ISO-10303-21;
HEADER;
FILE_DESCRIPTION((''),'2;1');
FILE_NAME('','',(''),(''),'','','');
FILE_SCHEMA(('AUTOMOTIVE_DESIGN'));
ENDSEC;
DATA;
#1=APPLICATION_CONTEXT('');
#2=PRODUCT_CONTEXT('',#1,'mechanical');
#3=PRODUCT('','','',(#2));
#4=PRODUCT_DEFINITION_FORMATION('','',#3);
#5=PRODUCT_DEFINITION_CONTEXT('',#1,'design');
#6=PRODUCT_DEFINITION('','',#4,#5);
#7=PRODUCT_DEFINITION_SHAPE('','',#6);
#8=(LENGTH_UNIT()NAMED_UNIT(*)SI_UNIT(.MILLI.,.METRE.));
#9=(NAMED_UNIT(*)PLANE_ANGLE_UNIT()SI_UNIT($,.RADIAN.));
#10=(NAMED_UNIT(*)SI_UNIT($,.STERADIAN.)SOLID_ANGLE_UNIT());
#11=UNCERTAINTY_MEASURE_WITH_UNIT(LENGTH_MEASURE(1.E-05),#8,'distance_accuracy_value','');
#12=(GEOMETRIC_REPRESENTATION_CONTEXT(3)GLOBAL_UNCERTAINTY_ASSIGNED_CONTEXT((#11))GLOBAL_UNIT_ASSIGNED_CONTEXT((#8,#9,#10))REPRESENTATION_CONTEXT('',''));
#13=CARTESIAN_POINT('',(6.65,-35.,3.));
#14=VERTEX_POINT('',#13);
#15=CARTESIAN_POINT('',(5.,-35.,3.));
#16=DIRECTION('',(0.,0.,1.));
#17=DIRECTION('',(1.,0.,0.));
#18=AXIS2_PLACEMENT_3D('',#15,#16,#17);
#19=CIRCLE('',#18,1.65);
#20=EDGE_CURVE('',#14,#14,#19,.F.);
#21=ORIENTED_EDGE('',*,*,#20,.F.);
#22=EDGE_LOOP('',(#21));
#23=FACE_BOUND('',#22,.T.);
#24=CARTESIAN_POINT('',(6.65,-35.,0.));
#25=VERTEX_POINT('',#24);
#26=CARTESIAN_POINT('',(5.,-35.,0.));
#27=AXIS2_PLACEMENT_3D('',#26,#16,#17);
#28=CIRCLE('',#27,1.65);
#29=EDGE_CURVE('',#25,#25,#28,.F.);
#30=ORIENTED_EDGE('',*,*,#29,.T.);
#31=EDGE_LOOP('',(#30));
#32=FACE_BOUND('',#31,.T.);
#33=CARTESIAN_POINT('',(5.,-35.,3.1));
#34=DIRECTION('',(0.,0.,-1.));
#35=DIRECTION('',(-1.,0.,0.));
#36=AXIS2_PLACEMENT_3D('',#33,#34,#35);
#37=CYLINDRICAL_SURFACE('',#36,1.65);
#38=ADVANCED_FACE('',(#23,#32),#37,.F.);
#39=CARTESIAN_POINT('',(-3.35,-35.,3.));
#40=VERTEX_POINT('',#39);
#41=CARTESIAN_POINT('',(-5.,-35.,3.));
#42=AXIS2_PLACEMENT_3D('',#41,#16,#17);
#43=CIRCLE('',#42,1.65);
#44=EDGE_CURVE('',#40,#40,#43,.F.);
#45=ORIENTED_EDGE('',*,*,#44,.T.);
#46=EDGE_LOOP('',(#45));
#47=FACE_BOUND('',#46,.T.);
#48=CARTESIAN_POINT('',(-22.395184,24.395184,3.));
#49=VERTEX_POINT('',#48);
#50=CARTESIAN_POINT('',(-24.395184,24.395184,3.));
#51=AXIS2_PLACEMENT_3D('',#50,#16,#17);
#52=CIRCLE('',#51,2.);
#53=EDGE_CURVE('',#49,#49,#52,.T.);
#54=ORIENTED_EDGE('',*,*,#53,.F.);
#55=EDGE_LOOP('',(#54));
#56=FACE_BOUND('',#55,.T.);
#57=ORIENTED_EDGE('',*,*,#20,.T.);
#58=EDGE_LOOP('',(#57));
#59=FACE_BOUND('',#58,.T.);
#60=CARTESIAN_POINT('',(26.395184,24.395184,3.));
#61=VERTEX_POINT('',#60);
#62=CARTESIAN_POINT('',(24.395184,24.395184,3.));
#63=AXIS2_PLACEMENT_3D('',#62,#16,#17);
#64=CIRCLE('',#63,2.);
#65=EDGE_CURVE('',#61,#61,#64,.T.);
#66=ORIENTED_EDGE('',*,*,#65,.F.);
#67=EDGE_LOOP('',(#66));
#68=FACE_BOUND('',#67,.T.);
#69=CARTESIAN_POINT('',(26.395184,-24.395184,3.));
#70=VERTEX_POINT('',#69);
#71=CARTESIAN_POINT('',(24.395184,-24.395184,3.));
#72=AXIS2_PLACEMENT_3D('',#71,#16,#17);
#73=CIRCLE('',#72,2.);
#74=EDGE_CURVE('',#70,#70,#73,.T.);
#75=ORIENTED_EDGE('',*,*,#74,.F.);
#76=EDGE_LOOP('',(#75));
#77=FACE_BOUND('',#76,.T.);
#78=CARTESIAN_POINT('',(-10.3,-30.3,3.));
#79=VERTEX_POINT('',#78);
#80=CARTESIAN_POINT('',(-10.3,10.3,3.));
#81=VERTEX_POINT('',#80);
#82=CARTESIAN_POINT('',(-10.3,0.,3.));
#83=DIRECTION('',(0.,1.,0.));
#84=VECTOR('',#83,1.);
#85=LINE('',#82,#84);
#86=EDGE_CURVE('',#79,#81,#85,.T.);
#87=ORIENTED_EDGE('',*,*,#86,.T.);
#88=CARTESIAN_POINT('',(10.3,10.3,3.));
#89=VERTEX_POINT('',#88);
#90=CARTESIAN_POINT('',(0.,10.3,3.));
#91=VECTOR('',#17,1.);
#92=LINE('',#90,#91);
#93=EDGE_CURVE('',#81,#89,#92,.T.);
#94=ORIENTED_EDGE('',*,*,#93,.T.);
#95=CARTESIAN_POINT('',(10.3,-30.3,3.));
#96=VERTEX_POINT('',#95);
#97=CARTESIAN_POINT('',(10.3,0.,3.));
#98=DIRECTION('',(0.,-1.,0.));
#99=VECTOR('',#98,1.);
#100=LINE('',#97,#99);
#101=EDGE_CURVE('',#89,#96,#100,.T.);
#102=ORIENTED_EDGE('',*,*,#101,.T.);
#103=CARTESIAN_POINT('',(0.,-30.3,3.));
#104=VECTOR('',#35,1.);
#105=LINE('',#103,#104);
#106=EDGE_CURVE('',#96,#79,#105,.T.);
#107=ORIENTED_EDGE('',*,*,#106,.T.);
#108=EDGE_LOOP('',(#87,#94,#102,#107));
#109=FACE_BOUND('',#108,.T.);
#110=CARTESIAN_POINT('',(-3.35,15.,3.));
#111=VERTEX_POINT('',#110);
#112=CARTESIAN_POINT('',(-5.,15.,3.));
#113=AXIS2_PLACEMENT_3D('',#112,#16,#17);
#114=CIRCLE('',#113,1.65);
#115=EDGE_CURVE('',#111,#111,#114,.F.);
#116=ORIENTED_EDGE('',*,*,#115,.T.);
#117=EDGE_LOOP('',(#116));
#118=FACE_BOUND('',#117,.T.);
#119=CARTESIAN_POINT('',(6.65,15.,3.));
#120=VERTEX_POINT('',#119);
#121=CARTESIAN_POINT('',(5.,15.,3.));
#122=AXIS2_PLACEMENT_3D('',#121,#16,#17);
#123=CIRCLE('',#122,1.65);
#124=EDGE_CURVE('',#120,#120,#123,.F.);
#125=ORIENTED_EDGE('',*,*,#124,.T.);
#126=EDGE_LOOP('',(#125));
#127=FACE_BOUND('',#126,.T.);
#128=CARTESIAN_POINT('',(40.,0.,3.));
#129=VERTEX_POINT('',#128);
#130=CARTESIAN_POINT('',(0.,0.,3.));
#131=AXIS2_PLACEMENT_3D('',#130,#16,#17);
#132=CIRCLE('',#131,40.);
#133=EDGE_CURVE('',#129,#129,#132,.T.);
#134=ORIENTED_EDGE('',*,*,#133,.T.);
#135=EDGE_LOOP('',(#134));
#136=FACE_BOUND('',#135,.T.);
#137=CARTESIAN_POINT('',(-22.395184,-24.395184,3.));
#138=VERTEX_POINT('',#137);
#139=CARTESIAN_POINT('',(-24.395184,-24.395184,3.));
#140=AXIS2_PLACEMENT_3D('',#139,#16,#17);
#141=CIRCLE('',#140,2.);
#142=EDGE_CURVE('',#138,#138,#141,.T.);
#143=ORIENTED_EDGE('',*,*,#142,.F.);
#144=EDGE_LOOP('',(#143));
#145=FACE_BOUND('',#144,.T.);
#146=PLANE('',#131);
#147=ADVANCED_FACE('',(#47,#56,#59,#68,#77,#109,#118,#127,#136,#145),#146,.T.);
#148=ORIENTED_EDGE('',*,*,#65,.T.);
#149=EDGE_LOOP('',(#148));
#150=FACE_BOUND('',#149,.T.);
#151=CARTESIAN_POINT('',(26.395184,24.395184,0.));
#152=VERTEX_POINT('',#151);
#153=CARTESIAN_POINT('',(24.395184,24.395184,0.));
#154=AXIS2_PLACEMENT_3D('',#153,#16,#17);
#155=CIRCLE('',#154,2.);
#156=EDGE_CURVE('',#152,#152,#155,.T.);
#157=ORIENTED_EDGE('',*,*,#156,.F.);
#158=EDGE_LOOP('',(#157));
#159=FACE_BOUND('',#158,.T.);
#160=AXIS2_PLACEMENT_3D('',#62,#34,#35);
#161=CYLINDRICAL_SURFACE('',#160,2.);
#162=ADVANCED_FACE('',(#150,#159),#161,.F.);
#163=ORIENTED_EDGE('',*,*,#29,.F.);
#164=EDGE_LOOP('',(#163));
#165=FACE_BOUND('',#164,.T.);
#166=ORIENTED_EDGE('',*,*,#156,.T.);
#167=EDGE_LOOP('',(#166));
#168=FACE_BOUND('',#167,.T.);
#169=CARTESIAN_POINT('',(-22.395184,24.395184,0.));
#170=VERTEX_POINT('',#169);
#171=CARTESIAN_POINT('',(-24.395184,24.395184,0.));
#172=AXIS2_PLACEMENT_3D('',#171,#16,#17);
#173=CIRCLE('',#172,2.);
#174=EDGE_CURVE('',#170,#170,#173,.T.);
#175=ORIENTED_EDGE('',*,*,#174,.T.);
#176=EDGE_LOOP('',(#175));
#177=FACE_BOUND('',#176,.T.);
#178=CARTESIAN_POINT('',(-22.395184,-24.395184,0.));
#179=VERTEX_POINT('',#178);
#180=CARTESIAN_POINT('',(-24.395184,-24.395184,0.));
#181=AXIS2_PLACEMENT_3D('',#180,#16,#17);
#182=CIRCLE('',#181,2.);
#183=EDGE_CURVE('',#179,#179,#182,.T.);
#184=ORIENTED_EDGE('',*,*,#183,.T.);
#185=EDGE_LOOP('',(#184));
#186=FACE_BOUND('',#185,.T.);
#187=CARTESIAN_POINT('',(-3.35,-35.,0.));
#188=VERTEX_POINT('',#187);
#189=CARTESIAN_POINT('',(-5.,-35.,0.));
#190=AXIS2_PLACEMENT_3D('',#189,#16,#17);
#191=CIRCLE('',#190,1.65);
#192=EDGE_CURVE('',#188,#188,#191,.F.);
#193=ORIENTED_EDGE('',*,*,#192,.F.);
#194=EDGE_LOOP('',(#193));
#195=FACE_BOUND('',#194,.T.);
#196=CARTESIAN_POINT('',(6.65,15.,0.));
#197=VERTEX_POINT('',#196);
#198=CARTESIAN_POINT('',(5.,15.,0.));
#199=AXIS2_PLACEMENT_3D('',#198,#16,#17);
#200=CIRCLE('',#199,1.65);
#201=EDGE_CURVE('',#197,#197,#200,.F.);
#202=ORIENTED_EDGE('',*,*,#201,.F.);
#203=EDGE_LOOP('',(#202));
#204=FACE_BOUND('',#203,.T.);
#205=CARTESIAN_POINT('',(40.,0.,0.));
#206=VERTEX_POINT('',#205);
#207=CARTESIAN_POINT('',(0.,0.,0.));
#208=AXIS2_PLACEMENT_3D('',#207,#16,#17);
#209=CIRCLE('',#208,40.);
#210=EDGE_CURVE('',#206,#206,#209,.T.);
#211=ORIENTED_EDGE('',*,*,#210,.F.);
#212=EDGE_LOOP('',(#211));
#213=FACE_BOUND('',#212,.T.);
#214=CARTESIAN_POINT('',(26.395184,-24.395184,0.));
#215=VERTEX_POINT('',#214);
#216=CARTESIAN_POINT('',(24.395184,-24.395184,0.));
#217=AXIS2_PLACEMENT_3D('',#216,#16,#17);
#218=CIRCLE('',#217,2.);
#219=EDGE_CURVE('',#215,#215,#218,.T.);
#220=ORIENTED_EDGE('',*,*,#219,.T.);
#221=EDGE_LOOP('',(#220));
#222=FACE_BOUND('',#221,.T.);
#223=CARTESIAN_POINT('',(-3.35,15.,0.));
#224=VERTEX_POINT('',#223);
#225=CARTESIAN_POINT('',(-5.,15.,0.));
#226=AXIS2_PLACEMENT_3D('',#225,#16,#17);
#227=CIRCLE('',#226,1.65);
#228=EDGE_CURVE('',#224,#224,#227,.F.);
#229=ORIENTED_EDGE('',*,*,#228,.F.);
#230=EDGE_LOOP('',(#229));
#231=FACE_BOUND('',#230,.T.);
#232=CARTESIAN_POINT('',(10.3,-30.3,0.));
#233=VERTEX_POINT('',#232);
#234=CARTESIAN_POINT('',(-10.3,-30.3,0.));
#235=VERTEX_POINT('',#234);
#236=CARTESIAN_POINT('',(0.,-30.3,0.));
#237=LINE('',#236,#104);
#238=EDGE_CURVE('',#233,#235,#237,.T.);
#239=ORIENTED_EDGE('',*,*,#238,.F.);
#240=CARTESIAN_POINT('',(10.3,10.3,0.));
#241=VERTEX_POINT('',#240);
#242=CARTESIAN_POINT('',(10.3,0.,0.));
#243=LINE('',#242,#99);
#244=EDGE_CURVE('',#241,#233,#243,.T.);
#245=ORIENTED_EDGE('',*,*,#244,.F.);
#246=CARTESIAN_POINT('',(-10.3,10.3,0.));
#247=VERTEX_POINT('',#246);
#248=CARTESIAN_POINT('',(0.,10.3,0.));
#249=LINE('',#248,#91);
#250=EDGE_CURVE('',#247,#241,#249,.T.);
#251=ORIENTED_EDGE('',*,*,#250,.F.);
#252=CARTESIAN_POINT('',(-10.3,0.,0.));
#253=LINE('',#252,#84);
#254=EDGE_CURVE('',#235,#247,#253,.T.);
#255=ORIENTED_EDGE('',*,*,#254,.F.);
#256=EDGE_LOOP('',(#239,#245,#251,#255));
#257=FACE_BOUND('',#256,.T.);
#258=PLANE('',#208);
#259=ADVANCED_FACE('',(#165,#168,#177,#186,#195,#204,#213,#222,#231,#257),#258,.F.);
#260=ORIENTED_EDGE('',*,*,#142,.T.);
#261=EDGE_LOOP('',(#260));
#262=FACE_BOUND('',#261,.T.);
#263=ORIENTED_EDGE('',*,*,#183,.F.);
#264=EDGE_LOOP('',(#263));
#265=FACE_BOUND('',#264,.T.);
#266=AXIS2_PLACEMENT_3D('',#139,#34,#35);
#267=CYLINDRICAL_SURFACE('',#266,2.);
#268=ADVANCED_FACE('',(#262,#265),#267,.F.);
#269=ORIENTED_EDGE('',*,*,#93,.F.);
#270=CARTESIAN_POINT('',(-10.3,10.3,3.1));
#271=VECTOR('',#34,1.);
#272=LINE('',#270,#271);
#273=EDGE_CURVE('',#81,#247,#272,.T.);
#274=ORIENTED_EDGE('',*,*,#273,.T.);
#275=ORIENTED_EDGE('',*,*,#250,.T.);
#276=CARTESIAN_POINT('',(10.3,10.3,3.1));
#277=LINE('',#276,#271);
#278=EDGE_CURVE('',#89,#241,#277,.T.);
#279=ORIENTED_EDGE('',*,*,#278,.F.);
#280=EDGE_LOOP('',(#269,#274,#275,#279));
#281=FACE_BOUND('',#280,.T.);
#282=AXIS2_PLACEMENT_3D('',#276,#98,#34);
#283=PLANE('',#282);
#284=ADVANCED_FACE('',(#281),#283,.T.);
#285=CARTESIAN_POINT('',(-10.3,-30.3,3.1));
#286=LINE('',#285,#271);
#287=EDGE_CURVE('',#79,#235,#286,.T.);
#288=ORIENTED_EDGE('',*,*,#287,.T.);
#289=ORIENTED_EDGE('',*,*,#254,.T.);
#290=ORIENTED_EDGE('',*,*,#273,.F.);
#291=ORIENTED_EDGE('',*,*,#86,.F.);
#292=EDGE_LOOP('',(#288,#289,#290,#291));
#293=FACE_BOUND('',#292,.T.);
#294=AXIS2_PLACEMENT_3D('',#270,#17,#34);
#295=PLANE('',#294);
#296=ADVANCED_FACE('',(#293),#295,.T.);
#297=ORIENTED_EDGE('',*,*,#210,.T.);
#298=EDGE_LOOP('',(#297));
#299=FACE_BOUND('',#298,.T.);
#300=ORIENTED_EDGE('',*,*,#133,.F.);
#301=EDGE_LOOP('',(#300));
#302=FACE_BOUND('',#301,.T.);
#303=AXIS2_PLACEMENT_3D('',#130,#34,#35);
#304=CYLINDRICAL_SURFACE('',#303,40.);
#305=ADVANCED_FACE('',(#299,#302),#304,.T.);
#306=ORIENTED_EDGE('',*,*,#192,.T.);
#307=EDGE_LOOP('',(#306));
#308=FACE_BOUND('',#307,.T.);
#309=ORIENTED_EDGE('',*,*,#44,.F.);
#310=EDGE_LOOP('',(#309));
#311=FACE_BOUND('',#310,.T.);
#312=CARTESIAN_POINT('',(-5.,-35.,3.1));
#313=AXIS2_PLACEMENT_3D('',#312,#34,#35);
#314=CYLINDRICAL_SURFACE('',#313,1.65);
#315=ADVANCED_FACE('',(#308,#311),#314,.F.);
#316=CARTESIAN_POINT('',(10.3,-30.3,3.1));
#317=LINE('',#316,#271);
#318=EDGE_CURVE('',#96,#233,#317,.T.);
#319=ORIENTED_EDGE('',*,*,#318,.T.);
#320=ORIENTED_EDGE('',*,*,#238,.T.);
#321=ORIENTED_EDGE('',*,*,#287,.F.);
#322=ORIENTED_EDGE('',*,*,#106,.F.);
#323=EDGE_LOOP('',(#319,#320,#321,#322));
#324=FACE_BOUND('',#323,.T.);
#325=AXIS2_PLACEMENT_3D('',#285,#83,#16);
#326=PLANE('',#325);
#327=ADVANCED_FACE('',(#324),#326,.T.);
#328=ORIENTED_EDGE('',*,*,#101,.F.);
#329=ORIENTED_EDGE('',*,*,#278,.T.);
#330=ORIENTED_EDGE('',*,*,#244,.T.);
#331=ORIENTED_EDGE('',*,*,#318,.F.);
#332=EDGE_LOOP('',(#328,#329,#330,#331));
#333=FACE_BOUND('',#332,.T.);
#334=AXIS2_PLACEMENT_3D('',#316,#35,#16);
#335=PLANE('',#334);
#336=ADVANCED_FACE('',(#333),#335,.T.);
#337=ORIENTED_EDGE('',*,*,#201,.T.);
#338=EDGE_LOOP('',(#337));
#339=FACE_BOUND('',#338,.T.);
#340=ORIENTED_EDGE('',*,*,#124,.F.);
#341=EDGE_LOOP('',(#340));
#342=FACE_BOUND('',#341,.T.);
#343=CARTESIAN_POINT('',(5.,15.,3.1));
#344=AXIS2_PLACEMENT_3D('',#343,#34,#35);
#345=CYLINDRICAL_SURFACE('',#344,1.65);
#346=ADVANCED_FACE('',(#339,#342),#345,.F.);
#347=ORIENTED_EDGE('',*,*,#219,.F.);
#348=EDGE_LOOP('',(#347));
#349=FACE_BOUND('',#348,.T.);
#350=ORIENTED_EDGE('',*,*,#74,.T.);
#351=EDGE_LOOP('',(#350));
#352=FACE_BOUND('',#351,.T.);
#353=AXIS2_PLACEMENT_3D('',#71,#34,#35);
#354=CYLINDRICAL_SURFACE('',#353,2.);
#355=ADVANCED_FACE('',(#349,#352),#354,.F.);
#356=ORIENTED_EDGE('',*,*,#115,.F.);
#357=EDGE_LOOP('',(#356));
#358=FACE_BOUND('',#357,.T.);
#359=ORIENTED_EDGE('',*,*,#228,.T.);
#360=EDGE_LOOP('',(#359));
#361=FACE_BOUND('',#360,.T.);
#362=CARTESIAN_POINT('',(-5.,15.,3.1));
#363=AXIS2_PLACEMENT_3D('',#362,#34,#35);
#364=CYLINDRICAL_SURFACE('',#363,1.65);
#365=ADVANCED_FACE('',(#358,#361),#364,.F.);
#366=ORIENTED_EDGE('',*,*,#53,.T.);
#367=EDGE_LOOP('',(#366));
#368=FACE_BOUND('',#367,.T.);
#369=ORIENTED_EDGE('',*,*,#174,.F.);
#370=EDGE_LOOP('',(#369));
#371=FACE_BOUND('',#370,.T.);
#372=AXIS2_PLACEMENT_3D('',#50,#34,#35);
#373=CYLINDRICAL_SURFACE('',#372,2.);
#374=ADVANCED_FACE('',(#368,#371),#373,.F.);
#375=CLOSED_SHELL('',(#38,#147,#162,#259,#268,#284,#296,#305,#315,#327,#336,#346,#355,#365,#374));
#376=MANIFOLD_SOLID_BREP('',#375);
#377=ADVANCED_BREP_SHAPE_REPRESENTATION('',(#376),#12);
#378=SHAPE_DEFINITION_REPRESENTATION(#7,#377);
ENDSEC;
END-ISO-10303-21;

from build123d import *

# Parameters (mm, degrees)
PLATE_D80_HOLES_D4_DIAGONAL69_R      = 40
PLATE_D80_HOLES_D4_DIAGONAL69_R_2    = 2
PLATE_3MM_DEPTH                      = 3
SERVO_HOUSING_THROUGH_CUT_START      = -0.1
SERVO_HOUSING_PROFILE_40P6X20P6_W    = 20.6
SERVO_HOUSING_PROFILE_40P6X20P6_H    = 40.6
SERVO_HOUSING_THROUGH_CUT_DEPTH      = 3.2
SERVO_4XD3P3_THROUGH_HOLES_START     = -0.1
SERVO_EARS_50X10_CENTERED_ON_SHAFT_R = 1.65
SERVO_4XD3P3_THROUGH_HOLES_DEPTH     = 3.2


with BuildPart() as part:
    # Plate_D80_Holes_D4_Diagonal69 → Plate_3mm (new body)
    with BuildSketch(Plane.XY):
        Circle(PLATE_D80_HOLES_D4_DIAGONAL69_R)
        with Locations((-24.395183951, -24.395183951)):
            Circle(PLATE_D80_HOLES_D4_DIAGONAL69_R_2, mode=Mode.SUBTRACT)
        with Locations((-24.395183951, 24.395183951)):
            Circle(PLATE_D80_HOLES_D4_DIAGONAL69_R_2, mode=Mode.SUBTRACT)
        with Locations((24.395183951, -24.395183951)):
            Circle(PLATE_D80_HOLES_D4_DIAGONAL69_R_2, mode=Mode.SUBTRACT)
        with Locations((24.395183951, 24.395183951)):
            Circle(PLATE_D80_HOLES_D4_DIAGONAL69_R_2, mode=Mode.SUBTRACT)
    extrude(amount=PLATE_3MM_DEPTH)

    # Servo_Housing_Profile_40p6x20p6 → Servo_Housing_Through_Cut (cut)
    with BuildSketch(Plane.XY.offset(SERVO_HOUSING_THROUGH_CUT_START)):
        with Locations((0, -10)):
            Rectangle(SERVO_HOUSING_PROFILE_40P6X20P6_W, SERVO_HOUSING_PROFILE_40P6X20P6_H)
    extrude(amount=SERVO_HOUSING_THROUGH_CUT_DEPTH, mode=Mode.SUBTRACT)

    # Servo_Ears_50x10_Centered_on_Shaft → Servo_4xD3p3_Through_Holes (cut)
    with BuildSketch(Plane.XY.offset(SERVO_4XD3P3_THROUGH_HOLES_START)):
        with Locations((-5, -35)):
            Circle(SERVO_EARS_50X10_CENTERED_ON_SHAFT_R)
        with Locations((-5, 15)):
            Circle(SERVO_EARS_50X10_CENTERED_ON_SHAFT_R)
        with Locations((5, -35)):
            Circle(SERVO_EARS_50X10_CENTERED_ON_SHAFT_R)
        with Locations((5, 15)):
            Circle(SERVO_EARS_50X10_CENTERED_ON_SHAFT_R)
    extrude(amount=SERVO_4XD3P3_THROUGH_HOLES_DEPTH, mode=Mode.SUBTRACT)


solid = part.part
